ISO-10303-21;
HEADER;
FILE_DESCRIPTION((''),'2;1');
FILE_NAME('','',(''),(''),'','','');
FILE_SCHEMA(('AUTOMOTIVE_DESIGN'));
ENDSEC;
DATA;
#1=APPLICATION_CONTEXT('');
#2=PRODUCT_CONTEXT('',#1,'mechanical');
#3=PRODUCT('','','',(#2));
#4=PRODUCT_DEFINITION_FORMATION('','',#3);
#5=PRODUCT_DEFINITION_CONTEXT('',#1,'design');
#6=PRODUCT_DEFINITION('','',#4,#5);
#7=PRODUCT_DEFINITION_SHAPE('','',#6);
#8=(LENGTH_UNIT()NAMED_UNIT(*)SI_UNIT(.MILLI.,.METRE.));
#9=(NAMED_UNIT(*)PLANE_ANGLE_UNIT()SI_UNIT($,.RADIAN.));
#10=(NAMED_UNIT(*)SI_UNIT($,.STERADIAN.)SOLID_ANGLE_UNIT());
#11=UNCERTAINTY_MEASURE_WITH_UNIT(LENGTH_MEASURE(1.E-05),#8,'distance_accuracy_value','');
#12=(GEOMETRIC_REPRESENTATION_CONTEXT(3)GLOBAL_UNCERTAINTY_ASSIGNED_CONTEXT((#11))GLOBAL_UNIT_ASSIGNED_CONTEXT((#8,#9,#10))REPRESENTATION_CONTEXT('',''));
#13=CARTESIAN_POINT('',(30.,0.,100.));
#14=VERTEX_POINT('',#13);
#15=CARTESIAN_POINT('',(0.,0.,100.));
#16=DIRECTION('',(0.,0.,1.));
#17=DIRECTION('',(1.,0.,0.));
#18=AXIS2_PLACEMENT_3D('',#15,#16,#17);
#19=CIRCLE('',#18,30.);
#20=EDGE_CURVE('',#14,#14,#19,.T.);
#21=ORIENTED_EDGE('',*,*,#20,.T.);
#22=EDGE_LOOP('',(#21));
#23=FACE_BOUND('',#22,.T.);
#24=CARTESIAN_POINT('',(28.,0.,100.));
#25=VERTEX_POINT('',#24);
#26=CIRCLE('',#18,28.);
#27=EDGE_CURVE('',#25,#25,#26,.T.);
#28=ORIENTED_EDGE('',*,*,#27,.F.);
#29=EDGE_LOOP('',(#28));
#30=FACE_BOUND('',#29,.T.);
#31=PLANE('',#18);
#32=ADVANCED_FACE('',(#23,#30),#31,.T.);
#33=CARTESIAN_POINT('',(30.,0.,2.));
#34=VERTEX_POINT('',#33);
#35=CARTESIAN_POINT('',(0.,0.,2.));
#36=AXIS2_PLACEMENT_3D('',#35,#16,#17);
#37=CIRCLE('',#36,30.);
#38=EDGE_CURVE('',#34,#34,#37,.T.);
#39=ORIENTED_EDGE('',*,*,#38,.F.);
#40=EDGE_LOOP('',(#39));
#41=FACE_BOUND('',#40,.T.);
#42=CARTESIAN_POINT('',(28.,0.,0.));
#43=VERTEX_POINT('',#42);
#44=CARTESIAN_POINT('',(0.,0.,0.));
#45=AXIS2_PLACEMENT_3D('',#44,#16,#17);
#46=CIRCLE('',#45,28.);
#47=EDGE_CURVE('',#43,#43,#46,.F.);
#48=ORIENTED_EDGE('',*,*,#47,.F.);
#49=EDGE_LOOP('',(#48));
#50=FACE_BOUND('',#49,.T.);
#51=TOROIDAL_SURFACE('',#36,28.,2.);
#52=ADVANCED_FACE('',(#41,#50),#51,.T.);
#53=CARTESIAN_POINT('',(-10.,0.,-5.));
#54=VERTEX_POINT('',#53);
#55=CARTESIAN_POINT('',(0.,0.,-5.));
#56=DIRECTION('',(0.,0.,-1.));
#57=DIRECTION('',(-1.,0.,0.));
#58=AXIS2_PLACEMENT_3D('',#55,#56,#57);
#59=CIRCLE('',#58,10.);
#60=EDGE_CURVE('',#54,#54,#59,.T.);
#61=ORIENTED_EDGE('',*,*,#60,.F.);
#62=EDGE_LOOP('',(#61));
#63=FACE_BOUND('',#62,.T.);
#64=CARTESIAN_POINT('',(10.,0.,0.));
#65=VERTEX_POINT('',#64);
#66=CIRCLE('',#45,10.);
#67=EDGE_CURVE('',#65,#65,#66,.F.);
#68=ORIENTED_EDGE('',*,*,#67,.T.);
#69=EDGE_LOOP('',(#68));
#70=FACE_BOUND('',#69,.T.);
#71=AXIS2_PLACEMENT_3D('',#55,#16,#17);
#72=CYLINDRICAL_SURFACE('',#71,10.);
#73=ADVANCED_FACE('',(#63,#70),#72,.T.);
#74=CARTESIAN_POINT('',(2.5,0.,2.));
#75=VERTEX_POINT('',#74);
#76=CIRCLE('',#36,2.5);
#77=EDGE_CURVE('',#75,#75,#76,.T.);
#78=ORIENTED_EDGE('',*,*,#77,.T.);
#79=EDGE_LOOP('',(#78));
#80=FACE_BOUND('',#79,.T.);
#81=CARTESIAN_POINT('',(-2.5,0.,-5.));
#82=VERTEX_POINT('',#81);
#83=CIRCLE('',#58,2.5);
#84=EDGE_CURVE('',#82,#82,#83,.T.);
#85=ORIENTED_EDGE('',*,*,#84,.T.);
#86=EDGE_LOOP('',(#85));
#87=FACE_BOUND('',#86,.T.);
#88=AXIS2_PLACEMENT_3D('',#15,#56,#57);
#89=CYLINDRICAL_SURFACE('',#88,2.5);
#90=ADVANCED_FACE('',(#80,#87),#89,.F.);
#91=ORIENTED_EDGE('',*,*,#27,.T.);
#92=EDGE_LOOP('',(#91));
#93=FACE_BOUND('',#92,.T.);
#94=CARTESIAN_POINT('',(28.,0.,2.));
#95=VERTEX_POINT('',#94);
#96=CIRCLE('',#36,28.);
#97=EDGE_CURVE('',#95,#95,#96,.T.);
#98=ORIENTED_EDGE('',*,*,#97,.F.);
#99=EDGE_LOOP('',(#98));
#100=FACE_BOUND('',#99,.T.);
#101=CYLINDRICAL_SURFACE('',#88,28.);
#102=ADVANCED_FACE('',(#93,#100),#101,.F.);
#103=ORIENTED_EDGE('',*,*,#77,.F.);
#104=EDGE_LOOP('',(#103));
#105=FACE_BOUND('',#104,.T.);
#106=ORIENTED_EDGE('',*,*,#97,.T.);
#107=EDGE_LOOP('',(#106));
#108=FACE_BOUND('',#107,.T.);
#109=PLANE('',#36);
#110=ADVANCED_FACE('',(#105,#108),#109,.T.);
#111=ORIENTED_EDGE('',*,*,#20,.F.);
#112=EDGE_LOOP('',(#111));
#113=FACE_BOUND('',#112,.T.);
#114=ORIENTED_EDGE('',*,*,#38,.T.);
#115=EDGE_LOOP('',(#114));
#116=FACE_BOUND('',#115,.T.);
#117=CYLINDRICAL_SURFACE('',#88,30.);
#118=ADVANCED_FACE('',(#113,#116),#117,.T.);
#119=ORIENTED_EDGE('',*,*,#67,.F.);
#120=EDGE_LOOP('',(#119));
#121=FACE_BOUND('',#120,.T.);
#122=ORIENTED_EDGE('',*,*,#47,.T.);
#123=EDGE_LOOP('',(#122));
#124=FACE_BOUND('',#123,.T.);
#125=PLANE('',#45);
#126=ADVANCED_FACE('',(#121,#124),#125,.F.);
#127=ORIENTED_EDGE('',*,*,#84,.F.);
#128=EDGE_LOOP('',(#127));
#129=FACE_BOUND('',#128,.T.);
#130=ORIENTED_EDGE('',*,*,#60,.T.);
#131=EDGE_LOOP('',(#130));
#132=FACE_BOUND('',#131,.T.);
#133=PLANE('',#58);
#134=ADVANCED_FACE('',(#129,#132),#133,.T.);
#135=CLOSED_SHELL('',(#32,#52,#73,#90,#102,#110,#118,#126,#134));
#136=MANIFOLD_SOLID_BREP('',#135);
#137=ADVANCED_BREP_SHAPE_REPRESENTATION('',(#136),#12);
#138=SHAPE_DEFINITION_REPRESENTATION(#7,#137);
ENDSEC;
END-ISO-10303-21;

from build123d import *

# Parameters (mm, degrees)
SKETCH1_R           = 30
BOSS_EXTRUDE1_DEPTH = 100
SHELL1_T            = -2
FILLET1_R           = 2
SKETCH2_R           = 10
BOSS_EXTRUDE2_DEPTH = 5
SKETCH3_R           = 2.5
CUT_EXTRUDE1_DEPTH  = 114.247516529


with BuildPart() as part:
    # Sketch1 → Boss-Extrude1 (new body)
    with BuildSketch(Plane.XY):
        Circle(SKETCH1_R)
    extrude(amount=BOSS_EXTRUDE1_DEPTH)

    # Shell1
    shell1_openings = [part.faces().sort_by_distance(p)[0] for p in [
        (0, 0, 100),
    ]]
    offset(amount=SHELL1_T, openings=shell1_openings, kind=Kind.INTERSECTION)

    # Fillet1
    fillet1_edges = [part.edges().sort_by_distance(p)[0] for p in [
        (-30, 0, 0),
    ]]
    fillet(fillet1_edges, radius=FILLET1_R)

    # Sketch2 → Boss-Extrude2 (add)
    with BuildSketch(Plane(origin=(0, 0, 0), x_dir=(-1, 0, 0), z_dir=(0, 0, -1))):
        with Locations(Location((0, 0, 0), (0, 0, 180))):
            Circle(SKETCH2_R)
    extrude(amount=BOSS_EXTRUDE2_DEPTH)

    # Sketch3 → Cut-Extrude1 (cut, through all)
    with BuildSketch(Plane(origin=(0, 0, -5), x_dir=(-1, 0, 0), z_dir=(0, 0, -1))):
        Circle(SKETCH3_R)
    extrude(amount=-CUT_EXTRUDE1_DEPTH, mode=Mode.SUBTRACT)


solid = part.part
